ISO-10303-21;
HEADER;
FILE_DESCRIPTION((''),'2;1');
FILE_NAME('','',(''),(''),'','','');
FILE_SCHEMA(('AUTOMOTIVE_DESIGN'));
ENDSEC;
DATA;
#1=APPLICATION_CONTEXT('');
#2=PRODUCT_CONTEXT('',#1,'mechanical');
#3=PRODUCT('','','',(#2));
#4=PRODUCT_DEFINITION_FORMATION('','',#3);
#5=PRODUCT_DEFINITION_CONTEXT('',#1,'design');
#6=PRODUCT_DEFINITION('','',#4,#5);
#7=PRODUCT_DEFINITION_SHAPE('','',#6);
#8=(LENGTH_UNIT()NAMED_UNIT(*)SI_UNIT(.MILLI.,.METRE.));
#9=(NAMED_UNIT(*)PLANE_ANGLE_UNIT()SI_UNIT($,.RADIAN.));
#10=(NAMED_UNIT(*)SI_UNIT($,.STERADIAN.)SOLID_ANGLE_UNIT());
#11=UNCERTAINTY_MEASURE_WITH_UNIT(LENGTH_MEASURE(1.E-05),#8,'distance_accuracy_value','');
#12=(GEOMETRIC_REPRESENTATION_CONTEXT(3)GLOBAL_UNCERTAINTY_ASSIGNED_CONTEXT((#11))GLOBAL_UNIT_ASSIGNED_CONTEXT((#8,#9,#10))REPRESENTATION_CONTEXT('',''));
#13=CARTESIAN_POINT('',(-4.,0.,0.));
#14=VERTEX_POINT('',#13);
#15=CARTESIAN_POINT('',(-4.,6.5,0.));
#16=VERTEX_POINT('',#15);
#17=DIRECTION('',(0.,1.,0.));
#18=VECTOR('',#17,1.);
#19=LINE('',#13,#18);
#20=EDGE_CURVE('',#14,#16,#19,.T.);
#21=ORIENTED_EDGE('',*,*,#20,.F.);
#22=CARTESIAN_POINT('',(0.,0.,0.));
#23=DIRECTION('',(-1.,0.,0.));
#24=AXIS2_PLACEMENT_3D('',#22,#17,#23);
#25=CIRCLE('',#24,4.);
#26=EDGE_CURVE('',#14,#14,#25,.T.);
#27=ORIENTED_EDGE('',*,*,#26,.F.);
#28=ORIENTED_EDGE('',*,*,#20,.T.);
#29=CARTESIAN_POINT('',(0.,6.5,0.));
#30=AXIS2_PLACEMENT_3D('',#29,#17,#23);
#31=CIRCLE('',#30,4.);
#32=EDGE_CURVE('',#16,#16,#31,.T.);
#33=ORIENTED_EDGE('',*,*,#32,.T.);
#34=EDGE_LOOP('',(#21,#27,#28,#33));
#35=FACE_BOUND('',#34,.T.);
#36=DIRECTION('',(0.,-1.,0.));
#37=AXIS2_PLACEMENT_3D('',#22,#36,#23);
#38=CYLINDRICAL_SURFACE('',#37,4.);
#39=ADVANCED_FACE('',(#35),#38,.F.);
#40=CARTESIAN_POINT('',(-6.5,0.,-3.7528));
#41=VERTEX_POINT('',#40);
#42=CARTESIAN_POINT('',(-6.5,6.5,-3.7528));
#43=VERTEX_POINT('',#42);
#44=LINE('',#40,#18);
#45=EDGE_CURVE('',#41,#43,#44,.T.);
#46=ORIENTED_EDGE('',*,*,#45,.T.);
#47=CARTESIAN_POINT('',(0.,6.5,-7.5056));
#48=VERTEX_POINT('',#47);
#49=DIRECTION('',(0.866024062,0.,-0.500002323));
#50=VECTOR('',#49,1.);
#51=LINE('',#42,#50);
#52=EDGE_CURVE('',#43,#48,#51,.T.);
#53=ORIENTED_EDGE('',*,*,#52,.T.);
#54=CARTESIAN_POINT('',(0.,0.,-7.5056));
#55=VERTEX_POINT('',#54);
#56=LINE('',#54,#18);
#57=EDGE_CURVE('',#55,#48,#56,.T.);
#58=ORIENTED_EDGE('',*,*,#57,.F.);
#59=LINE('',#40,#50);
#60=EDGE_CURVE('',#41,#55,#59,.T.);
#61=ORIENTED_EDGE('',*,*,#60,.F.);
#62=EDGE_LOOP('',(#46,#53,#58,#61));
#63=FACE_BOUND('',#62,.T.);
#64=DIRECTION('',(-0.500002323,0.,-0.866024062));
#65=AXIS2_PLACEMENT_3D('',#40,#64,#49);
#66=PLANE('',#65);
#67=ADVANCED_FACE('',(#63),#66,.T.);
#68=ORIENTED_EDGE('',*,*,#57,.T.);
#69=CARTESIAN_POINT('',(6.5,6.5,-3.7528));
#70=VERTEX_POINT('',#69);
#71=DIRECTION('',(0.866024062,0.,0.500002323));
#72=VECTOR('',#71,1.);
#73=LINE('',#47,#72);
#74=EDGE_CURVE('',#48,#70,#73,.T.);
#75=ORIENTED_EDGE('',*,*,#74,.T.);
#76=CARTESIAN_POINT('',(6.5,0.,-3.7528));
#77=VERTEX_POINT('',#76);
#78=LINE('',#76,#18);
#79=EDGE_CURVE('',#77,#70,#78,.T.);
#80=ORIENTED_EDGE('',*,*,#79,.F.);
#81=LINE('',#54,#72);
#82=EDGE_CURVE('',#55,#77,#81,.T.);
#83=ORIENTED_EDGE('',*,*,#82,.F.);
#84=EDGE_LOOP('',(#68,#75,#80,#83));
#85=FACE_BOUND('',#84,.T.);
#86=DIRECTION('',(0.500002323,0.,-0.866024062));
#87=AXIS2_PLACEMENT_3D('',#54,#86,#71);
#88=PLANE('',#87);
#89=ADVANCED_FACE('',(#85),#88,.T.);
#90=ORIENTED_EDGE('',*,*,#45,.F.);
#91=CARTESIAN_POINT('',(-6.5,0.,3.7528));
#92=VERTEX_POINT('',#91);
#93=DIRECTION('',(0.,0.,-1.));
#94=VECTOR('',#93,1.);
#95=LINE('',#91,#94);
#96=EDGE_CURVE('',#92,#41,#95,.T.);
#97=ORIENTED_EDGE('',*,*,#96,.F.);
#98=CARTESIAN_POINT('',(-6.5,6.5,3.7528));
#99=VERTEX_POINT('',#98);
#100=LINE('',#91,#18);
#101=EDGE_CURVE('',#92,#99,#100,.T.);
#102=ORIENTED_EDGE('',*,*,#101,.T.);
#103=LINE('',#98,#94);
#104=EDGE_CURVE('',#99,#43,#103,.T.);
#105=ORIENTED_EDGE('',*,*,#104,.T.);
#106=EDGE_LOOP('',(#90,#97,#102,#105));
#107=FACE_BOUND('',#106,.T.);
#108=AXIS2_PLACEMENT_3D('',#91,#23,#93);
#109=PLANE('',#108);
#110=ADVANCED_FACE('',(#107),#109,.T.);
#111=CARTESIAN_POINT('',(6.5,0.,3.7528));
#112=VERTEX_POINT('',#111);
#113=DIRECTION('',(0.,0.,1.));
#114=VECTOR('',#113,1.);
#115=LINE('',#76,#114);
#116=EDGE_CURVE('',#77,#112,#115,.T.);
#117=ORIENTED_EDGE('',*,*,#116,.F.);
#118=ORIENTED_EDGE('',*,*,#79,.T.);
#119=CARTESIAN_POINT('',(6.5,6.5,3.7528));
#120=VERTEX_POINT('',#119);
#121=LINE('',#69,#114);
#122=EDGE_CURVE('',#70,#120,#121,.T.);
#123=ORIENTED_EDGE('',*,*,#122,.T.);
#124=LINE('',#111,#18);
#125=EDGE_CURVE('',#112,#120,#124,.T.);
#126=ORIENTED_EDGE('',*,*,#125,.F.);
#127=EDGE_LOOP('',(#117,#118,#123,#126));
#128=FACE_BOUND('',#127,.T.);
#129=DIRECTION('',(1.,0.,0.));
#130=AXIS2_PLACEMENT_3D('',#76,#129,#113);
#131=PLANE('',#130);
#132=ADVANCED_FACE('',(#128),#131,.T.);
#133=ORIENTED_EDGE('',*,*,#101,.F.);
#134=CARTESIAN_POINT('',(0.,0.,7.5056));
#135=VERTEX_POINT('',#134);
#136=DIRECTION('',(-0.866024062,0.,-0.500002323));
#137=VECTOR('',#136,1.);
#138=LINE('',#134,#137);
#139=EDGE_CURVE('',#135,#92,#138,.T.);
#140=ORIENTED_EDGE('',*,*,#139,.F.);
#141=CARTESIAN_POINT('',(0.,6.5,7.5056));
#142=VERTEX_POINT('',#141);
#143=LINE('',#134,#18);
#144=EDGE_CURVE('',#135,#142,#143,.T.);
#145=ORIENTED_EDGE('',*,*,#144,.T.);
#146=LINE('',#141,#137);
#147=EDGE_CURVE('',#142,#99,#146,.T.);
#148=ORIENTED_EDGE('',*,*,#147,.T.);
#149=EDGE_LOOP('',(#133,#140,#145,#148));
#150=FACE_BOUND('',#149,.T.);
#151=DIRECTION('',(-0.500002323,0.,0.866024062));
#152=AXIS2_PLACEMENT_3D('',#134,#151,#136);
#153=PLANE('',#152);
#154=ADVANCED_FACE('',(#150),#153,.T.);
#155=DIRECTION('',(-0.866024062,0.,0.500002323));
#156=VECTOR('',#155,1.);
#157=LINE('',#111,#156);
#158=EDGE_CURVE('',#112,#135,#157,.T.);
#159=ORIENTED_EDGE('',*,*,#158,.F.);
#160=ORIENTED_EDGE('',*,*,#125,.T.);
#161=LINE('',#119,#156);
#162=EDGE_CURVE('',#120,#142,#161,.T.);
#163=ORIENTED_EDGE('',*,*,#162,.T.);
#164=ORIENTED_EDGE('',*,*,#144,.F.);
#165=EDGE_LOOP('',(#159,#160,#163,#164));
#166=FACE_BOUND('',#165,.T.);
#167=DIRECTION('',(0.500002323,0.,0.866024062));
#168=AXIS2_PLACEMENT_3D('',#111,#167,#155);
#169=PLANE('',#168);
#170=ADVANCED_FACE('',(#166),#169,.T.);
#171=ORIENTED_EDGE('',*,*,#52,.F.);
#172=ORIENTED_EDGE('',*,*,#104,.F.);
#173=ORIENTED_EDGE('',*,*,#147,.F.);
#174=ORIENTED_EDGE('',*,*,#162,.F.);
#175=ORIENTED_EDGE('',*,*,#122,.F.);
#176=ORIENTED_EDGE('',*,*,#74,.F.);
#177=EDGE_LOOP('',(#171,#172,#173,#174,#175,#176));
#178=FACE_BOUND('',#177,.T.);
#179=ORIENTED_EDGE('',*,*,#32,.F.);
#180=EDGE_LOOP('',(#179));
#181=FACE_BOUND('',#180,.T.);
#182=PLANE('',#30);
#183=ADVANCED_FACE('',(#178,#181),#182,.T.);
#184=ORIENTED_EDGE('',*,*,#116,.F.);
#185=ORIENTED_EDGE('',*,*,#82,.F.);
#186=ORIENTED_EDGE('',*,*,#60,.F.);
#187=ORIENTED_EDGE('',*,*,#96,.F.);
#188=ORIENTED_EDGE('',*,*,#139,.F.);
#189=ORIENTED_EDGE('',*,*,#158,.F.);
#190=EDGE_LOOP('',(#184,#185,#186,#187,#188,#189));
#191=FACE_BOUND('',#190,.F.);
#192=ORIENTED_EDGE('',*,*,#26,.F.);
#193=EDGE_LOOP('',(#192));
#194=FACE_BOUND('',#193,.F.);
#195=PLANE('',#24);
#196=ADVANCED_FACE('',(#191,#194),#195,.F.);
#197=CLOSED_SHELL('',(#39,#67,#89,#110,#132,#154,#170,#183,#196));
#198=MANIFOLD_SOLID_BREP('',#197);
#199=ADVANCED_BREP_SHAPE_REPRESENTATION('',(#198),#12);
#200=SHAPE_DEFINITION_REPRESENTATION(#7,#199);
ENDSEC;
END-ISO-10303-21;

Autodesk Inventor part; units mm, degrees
ref_plane "YZ Plane" through (0, 0, 0) normal (1, 0, 0) x (0, 1, 0)
ref_plane "XZ Plane" through (0, 0, 0) normal (0, 1, 0) x (-1, 0, 0)
ref_plane "XY Plane" through (0, 0, 0) normal (0, 0, 1) x (1, 0, 0)
sketch "Sketch1" plane through (0, 0, 0) normal (0, 1, 0) x (-1, 0, 0)
  line L0 (0, -7.5056) -> (-6.5, -3.7528)
  line L1 (-6.5, -3.7528) -> (-6.5, 3.7528)
  line L2 (-6.5, 3.7528) -> (0, 7.5056)
  line L3 (0, 7.5056) -> (6.5, 3.7528)
  line L4 (6.5, 3.7528) -> (6.5, -3.7528)
  line L5 (6.5, -3.7528) -> (0, -7.5056)
  circle A0 centre (0, 0) radius 4
  dimension "d0" = 13
  dimension "d1" = 8
extrude "Extrusion1" add sketch "Sketch1" along normal blind 6.5
thread "Thread1" size "M8x1.25" class "6H" standard "ANSI Metric M Profile" full length
properties part number "Nut_Normal"
